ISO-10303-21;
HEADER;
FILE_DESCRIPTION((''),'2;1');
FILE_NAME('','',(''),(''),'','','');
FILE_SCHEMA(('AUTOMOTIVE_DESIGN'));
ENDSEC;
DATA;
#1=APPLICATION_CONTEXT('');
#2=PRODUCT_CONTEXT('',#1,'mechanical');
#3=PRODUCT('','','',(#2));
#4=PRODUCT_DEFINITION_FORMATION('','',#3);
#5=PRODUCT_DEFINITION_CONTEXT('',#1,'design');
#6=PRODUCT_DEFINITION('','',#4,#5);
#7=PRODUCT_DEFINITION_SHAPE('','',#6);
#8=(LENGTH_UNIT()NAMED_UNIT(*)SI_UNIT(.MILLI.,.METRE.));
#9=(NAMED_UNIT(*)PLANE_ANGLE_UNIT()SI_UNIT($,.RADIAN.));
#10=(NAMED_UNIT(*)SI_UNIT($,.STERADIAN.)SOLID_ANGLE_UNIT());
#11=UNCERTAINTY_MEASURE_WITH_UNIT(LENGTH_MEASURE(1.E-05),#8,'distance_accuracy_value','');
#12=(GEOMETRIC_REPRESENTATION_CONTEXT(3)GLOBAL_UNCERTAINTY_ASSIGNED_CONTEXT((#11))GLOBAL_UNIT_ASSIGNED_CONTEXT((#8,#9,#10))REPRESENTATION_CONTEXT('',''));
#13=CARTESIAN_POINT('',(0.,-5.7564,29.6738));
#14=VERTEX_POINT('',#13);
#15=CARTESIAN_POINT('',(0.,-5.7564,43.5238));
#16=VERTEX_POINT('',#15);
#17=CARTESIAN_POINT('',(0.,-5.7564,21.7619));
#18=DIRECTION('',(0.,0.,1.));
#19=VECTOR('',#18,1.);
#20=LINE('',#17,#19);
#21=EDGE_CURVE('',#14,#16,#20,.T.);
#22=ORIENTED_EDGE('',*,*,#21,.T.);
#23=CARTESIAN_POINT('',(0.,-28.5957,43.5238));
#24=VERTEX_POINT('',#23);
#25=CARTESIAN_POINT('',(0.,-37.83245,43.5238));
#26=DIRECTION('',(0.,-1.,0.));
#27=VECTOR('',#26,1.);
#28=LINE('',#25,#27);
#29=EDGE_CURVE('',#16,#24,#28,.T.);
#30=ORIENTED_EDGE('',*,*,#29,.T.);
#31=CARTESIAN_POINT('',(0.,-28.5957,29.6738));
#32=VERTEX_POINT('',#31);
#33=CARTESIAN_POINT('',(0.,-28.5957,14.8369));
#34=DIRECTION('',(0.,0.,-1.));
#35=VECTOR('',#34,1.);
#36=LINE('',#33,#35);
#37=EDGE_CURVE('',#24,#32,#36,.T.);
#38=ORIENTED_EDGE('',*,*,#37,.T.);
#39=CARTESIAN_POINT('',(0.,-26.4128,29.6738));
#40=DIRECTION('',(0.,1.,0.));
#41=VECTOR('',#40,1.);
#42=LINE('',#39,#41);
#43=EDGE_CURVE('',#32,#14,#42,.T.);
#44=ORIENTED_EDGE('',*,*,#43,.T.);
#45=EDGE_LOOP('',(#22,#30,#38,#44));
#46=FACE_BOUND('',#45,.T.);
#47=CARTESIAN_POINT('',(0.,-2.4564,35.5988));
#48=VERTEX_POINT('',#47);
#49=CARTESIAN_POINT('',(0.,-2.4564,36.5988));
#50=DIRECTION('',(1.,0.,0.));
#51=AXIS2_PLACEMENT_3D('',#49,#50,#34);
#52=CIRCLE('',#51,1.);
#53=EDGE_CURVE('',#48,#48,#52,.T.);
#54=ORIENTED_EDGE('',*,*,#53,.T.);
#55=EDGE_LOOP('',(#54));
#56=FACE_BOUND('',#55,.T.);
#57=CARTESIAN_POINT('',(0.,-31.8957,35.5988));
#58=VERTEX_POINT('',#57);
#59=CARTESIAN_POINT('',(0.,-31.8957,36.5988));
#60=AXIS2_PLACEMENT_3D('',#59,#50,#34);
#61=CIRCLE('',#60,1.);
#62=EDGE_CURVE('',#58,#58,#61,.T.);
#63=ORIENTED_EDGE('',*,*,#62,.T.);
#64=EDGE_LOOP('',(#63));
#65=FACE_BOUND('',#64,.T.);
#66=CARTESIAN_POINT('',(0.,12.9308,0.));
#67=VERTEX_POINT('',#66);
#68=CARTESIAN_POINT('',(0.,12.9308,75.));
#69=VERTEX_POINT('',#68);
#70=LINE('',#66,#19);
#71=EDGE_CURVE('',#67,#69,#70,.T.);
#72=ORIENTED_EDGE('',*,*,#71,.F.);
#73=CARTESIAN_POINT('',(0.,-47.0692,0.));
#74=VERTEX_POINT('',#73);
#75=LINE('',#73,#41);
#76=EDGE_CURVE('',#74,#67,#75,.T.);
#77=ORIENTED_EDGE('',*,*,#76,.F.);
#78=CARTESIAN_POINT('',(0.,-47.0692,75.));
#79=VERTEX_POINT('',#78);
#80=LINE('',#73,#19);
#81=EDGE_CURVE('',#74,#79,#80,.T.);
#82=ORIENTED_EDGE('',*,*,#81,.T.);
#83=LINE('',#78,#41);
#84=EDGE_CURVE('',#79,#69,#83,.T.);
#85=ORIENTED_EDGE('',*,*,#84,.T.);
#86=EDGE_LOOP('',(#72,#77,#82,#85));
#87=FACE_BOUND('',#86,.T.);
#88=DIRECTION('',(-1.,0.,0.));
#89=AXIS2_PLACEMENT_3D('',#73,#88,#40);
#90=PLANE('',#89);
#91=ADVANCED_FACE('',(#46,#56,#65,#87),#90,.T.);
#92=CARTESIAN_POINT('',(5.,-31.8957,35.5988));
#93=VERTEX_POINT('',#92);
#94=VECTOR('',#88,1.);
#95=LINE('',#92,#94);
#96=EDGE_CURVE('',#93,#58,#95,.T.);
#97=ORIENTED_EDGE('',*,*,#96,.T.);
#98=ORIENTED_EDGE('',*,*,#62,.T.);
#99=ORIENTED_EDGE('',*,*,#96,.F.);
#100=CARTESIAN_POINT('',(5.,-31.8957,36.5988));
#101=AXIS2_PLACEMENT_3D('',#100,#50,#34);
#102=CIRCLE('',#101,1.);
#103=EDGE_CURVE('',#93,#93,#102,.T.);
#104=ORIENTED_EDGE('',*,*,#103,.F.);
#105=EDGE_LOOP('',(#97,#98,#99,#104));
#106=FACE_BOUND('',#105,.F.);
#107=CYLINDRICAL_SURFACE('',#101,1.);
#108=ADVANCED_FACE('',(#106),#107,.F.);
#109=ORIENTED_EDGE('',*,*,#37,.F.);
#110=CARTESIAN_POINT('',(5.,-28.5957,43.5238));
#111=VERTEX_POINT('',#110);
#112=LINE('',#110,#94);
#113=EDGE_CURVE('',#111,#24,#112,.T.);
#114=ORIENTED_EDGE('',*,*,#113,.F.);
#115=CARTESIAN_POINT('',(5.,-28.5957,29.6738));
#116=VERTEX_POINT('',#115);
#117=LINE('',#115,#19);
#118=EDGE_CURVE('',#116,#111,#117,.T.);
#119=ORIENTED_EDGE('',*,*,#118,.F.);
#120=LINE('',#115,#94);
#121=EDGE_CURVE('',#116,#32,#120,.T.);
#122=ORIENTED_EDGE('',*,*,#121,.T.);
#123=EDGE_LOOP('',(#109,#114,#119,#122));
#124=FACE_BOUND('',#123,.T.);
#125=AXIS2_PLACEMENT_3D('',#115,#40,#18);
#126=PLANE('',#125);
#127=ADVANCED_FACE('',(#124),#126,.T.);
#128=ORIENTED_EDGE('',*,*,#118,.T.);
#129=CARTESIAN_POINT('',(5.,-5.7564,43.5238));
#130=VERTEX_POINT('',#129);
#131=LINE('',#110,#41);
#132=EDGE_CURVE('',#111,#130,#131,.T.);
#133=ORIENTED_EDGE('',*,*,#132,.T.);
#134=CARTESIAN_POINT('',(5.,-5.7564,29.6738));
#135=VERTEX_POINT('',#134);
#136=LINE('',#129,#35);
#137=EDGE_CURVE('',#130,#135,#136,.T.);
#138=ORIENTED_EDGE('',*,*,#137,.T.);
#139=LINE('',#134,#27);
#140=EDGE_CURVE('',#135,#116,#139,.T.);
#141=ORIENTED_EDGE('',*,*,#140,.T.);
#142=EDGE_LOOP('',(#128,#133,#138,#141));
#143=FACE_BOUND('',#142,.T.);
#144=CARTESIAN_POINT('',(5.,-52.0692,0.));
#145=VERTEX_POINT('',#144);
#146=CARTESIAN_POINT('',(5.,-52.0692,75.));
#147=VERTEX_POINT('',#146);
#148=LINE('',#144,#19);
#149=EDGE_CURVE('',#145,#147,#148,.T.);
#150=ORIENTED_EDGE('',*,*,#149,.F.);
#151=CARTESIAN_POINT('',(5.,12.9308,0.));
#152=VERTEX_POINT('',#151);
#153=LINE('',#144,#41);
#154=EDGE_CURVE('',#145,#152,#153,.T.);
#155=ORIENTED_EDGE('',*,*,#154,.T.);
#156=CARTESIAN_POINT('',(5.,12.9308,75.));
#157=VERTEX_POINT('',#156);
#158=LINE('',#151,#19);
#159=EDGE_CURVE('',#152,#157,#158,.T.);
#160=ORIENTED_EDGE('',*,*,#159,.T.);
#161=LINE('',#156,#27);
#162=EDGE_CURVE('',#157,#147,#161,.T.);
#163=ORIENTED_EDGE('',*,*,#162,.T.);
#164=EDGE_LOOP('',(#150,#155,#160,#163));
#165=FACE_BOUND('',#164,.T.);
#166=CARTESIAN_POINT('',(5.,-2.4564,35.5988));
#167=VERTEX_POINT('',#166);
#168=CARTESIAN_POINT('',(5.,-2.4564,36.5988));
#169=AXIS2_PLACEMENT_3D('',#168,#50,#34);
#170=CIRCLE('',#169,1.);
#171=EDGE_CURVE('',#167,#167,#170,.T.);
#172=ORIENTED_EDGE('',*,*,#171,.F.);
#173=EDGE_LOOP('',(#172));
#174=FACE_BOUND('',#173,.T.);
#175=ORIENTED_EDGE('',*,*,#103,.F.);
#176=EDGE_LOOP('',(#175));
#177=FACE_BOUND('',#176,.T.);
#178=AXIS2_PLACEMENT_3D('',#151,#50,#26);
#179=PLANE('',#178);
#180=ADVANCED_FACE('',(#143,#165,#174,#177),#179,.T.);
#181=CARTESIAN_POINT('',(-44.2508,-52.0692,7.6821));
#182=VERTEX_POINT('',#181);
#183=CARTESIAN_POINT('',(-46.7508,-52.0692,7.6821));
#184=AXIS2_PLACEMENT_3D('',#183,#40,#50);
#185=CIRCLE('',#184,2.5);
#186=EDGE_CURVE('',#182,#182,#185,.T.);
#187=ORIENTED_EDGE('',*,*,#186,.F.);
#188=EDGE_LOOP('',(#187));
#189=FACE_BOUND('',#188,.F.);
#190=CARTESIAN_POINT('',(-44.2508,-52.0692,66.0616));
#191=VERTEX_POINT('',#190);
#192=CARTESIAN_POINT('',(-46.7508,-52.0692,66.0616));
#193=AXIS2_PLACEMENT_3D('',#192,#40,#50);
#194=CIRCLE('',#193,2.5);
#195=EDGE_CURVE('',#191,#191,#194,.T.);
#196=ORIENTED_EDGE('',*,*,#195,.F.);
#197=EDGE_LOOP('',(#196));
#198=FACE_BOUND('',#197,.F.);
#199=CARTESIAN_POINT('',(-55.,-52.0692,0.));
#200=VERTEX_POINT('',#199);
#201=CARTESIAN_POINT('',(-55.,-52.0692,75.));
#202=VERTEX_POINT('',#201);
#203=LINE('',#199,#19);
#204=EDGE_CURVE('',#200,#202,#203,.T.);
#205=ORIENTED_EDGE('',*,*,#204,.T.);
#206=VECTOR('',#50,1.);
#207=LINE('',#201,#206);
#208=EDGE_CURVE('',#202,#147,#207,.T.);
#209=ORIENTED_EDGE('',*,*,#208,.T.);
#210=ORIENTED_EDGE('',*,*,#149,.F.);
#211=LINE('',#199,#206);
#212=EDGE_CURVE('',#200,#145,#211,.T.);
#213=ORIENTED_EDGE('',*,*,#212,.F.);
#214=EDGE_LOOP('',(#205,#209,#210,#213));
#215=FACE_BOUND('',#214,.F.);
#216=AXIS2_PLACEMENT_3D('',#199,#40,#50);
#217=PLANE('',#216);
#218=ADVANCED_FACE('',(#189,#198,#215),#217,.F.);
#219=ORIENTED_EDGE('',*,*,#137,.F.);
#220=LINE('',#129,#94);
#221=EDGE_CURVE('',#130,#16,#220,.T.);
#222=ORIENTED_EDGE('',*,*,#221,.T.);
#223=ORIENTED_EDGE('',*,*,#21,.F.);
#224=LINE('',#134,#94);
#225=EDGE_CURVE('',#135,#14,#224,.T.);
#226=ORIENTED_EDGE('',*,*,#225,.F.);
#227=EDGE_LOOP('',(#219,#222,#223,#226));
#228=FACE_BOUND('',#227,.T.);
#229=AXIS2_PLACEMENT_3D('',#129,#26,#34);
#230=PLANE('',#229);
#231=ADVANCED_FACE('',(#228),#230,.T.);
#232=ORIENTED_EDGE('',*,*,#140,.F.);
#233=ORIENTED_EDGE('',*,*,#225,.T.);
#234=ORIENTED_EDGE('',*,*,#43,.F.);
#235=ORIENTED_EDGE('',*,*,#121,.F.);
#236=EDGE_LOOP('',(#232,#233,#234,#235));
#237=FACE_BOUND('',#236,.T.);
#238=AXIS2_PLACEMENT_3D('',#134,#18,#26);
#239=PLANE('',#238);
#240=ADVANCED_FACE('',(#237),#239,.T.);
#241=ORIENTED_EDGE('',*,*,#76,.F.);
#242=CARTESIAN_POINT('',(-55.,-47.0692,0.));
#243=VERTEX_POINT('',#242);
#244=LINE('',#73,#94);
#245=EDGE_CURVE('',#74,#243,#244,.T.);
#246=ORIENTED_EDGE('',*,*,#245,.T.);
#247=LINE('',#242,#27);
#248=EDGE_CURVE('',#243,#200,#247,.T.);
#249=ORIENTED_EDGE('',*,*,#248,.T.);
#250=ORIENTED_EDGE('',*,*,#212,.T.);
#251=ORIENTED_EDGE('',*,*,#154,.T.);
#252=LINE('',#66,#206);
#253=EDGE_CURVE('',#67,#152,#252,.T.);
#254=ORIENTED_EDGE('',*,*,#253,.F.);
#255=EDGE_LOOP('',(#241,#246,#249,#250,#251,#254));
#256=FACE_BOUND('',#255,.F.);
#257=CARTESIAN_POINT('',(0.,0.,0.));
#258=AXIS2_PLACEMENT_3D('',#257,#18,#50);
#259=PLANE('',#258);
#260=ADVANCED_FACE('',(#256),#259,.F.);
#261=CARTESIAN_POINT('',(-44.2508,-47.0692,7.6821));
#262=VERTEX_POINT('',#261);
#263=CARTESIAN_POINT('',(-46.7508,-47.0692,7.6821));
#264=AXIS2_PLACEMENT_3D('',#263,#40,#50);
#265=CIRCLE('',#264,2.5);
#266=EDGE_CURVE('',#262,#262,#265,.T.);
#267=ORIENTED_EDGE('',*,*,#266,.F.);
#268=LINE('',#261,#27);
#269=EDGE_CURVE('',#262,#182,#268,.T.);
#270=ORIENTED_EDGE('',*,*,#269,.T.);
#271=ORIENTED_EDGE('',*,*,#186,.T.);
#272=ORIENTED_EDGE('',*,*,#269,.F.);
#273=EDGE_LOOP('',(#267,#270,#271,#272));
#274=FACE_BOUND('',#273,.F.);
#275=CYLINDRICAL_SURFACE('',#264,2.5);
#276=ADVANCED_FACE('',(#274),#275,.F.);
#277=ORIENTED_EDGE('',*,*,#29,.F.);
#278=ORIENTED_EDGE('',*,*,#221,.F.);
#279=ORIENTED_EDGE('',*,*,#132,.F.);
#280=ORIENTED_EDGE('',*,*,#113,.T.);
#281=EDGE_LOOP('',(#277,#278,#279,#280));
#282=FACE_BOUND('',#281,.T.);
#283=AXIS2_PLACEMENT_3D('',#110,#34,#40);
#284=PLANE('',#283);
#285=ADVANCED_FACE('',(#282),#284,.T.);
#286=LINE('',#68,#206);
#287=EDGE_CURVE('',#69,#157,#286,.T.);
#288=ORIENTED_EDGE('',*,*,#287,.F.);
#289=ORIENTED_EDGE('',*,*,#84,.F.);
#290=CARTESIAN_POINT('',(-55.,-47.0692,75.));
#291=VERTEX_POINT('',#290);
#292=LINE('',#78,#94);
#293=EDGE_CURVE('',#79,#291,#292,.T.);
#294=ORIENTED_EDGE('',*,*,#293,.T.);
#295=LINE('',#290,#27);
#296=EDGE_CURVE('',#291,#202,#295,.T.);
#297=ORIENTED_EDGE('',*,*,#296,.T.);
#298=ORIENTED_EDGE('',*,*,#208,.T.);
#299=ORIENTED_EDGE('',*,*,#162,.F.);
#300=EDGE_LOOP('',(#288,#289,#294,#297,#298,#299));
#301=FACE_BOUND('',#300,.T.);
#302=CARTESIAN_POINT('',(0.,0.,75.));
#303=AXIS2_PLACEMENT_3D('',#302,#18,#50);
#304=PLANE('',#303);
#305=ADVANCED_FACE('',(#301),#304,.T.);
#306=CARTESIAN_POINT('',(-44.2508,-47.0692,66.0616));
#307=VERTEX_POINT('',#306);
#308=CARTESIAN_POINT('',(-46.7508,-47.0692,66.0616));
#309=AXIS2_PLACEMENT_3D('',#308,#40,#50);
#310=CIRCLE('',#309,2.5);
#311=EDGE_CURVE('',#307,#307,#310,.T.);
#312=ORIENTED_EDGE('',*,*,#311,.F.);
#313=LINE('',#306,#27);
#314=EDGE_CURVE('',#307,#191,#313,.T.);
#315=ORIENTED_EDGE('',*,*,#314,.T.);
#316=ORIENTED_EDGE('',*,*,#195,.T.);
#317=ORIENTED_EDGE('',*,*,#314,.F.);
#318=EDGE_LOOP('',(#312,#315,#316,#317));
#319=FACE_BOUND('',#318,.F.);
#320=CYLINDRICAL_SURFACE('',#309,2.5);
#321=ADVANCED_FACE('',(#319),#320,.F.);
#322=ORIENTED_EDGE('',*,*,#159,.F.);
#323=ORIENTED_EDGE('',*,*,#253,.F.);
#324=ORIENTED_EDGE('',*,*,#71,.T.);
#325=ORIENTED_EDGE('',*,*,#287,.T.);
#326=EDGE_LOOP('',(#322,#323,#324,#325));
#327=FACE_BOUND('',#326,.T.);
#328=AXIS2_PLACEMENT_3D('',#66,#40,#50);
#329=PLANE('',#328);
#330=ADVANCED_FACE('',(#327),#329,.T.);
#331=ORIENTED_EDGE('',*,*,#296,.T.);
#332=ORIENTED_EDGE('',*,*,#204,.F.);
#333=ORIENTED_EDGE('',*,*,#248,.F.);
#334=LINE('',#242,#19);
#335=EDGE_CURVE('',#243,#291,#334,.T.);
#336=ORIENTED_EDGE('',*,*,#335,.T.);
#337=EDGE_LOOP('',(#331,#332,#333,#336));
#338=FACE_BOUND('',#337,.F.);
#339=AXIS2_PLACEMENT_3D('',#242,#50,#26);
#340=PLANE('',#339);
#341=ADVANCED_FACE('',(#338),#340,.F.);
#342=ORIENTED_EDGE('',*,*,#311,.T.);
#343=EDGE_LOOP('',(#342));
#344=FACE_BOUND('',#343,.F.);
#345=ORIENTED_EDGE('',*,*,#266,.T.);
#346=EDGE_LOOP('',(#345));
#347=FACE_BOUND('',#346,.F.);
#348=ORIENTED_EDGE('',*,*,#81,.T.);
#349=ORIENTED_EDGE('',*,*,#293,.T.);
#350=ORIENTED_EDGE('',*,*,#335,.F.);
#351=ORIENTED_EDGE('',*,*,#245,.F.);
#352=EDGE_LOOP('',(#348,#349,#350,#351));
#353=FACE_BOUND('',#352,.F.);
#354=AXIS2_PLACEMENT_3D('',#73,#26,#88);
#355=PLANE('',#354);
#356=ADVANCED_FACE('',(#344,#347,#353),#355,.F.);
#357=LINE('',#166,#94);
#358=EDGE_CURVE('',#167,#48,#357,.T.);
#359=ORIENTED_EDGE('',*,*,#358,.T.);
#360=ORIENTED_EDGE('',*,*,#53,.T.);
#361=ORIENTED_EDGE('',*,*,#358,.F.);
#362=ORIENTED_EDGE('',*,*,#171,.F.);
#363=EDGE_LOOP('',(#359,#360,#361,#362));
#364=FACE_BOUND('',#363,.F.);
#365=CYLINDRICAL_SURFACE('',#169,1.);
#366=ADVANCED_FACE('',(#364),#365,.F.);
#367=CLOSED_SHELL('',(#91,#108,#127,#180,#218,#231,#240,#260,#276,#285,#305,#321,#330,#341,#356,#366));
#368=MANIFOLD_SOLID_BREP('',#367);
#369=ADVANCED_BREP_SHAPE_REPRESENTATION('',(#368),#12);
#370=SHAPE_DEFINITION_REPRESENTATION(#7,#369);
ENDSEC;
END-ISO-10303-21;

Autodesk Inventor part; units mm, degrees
ref_plane "YZ Plane" through (0, 0, 0) normal (1, 0, 0) x (0, 1, 0)
ref_plane "XZ Plane" through (0, 0, 0) normal (0, 1, 0) x (-1, 0, 0)
ref_plane "XY Plane" through (0, 0, 0) normal (0, 0, 1) x (1, 0, 0)
sketch "Sketch1" plane through (0, 0, 0) normal (0, 0, 1) x (1, 0, 0)
  point P0 (0, 0)
sketch "Sketch2" plane through (0, 0, 0) normal (0, 0, 1) x (1, 0, 0)
  line L0 (0, 12.9308) -> (5, 12.9308)
  line L1 (5, 12.9308) -> (5, -47.0692)
  line L2 (0, -47.0692) -> (0, 12.9308)
  line L3 (0, -47.0692) -> (-55, -47.0692)
  line L4 (-55, -47.0692) -> (-55, -52.0692)
  line L5 (-55, -52.0692) -> (5, -52.0692)
  line L6 (5, -52.0692) -> (5, -47.0692)
  point P0 (0, 0)
extrude "Extrusion1" add sketch "Sketch2" along normal blind 75
sketch "Sketch3" plane through (-55, -47.0692, 0) normal (0, 1, 0) x (1, 0, 0)
  circle A0 centre (8.2492, -7.6821) radius 2.5
  circle A1 centre (8.2492, -66.0616) radius 2.5
  point P0 (55, 0)
  dimension "d6" = 5
  dimension "d7" = 5
extrude "Extrusion2" cut sketch "Sketch3" against normal blind 75
sketch "Sketch4" plane through (5, -52.0692, 0) normal (1, 0, 0) x (0, 0, -1)
  line L0 (-43.5238, 46.3128) -> (-29.6738, 46.3128)
  line L1 (-29.6738, 46.3128) -> (-29.6738, 23.4735)
  line L2 (-29.6738, 23.4735) -> (-43.5238, 23.4735)
  line L3 (-43.5238, 23.4735) -> (-43.5238, 46.3128)
  point P0 (0, 52.0692)
extrude "Extrusion3" cut sketch "Sketch4" against normal blind 75
sketch "Sketch5" plane through (5, -52.0692, 0) normal (1, 0, 0) x (0, 0, -1)
  line L0 (-43.5238, 46.3128) -> (-43.5238, 23.4735) projected
  line L1 (-43.5238, 46.3128) -> (-29.6738, 46.3128) projected
  line L2 (-43.5238, 46.3128) -> (-29.6738, 46.3128)
  line L3 (-43.5238, 46.3128) -> (-36.5988, 46.3128)
  circle A0 centre (-36.5988, 49.6128) radius 1
  circle A1 centre (-36.5988, 20.1735) radius 1
  point P0 (0, 52.0692)
extrude "Extrusion4" cut sketch "Sketch5" against normal blind 75
